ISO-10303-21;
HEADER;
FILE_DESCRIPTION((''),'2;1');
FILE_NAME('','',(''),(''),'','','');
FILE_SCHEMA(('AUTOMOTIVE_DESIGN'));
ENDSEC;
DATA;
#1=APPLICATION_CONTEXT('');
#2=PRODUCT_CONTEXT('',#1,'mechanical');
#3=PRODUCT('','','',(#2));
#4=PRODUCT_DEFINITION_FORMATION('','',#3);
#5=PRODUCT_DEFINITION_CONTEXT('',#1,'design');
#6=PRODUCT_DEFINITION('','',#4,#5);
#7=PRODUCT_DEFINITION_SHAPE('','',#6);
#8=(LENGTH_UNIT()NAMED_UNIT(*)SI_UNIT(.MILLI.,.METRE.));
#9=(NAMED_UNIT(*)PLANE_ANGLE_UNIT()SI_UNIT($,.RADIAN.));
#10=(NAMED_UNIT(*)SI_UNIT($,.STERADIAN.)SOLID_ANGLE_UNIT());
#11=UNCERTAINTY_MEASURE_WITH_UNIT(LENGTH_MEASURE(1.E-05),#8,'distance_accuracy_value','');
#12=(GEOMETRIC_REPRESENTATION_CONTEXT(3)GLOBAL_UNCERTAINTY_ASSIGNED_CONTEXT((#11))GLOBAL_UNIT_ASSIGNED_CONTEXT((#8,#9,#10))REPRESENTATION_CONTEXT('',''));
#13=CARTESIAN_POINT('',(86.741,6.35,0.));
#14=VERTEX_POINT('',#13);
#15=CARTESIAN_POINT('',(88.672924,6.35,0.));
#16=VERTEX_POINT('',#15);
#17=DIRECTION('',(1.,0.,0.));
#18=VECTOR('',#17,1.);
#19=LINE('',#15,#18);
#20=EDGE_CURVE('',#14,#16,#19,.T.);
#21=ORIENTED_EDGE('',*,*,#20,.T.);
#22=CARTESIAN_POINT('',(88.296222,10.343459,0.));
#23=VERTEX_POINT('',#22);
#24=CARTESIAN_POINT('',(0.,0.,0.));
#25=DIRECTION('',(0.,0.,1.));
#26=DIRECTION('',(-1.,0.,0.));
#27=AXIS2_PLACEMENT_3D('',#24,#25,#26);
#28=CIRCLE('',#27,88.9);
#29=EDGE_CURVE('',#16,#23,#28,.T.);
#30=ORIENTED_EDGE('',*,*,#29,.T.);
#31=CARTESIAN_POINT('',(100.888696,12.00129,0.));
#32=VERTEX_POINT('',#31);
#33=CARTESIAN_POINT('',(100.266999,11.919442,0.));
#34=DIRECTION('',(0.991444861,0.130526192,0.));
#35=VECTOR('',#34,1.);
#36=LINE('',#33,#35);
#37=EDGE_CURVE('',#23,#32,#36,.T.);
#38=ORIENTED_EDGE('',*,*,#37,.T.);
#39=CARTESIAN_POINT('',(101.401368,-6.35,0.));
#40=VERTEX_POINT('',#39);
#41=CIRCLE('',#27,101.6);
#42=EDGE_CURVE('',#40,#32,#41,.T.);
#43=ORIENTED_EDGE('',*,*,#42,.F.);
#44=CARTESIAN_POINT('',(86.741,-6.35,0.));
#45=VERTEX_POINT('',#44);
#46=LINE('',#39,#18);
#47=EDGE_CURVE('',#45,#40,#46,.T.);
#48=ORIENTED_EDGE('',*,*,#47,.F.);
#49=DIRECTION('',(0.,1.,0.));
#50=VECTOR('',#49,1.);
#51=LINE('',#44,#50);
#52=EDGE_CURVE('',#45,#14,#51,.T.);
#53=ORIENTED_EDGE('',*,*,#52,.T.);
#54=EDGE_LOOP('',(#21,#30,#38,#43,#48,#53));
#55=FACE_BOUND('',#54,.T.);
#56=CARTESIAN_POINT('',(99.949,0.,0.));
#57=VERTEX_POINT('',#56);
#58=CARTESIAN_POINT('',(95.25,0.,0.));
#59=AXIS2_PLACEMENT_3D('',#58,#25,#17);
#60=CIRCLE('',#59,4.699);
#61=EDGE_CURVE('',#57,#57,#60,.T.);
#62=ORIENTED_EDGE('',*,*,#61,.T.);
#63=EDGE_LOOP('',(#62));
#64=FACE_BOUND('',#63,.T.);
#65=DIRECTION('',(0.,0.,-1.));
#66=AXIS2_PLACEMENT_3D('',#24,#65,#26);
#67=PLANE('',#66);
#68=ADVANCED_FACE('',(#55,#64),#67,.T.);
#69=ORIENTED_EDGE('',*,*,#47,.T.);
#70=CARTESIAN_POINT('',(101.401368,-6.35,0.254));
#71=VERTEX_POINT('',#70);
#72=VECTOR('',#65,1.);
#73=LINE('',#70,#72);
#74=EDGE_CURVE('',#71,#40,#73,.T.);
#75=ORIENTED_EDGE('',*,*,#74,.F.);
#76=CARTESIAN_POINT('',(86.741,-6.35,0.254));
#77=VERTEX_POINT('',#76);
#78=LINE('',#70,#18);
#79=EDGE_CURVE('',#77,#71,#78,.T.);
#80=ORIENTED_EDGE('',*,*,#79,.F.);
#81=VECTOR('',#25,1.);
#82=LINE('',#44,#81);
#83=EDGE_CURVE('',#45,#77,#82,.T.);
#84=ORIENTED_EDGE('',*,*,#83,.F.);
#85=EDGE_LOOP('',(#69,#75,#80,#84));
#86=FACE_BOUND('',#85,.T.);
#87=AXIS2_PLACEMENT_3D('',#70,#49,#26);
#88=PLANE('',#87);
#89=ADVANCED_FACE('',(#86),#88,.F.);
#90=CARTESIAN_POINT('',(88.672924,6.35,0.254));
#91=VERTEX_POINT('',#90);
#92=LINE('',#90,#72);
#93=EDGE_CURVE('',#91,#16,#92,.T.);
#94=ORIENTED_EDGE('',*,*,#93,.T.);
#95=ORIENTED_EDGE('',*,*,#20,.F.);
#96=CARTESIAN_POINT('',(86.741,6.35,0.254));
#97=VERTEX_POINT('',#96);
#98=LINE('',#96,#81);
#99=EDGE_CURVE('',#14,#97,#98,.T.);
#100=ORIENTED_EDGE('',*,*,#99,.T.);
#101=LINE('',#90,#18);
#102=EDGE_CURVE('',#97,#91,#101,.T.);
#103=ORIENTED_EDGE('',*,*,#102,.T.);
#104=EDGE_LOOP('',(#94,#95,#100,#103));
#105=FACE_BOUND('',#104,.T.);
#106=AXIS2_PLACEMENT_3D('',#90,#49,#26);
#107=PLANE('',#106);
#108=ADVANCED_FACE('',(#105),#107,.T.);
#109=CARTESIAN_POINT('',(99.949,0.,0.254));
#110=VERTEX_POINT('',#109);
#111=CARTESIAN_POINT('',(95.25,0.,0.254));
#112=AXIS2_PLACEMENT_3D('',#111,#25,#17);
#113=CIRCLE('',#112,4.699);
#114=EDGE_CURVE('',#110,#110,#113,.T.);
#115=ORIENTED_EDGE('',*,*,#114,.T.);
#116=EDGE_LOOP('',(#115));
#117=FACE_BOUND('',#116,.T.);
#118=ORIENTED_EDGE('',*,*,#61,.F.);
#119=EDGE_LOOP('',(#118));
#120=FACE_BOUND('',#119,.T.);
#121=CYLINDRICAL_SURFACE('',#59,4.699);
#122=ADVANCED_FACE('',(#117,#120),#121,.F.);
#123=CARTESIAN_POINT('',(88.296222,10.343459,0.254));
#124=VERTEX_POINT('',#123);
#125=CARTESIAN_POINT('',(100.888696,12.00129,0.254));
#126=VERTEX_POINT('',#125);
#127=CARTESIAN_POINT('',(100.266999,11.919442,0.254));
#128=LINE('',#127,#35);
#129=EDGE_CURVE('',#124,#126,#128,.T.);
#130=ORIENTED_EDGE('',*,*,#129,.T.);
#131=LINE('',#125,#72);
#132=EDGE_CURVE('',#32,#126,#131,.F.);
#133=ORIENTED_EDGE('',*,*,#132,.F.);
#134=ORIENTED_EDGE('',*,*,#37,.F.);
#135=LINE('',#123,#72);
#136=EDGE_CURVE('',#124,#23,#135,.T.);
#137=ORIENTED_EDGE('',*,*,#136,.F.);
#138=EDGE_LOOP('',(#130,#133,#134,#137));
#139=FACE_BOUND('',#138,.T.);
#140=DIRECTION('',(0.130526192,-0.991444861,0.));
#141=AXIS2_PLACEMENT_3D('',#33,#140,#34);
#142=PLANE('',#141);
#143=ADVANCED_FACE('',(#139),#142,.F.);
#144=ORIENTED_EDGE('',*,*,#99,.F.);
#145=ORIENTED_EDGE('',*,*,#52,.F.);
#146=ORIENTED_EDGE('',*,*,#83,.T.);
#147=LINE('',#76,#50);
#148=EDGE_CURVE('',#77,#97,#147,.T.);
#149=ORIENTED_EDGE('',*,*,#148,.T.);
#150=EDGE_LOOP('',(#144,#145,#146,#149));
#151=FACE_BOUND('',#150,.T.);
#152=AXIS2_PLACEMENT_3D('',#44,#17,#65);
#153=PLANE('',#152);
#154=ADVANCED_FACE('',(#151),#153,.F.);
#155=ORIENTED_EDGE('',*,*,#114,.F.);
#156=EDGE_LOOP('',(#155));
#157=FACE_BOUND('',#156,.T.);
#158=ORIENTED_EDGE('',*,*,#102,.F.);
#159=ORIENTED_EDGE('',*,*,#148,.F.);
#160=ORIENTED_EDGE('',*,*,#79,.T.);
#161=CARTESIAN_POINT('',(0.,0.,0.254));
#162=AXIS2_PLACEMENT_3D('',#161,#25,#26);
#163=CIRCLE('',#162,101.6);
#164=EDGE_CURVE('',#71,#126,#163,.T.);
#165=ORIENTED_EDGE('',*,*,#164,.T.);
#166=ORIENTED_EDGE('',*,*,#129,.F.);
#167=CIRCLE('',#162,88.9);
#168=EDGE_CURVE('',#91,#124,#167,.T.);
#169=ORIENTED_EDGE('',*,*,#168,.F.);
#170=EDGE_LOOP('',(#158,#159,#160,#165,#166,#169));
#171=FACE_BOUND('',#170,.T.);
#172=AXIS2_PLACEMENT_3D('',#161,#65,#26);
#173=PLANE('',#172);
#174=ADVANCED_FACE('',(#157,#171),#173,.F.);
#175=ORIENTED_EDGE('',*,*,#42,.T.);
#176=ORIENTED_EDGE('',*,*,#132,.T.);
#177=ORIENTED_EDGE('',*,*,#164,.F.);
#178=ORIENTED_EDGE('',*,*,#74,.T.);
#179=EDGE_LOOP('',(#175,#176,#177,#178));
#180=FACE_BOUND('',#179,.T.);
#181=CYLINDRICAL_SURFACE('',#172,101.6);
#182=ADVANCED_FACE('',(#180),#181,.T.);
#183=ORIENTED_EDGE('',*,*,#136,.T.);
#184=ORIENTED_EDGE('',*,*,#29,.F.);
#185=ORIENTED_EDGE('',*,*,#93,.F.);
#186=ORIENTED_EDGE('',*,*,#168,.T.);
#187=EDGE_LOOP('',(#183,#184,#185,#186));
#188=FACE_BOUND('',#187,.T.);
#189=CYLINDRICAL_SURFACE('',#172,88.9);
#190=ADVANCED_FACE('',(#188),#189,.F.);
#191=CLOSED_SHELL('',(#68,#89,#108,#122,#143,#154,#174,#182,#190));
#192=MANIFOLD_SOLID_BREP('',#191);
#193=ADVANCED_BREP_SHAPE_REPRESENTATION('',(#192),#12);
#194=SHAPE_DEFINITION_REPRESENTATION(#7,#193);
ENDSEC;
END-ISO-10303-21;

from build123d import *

# Parameters (mm, degrees)
BOSS_EXTRUDE1_DEPTH = 0.254
SKETCH2_R           = 4.699
CUT_EXTRUDE1_DEPTH  = 1.254
SKETCH3_W           = 2.54
SKETCH3_H           = 0.635
CUT_EXTRUDE2_DEPTH  = 1.254
SKETCH5_OUTSIDE_W   = 121.447
SKETCH5_OUTSIDE_H   = 109.618
CUT_EXTRUDE5_DEPTH  = 1.254


with BuildPart() as part:
    # Sketch1 → Boss-Extrude1 (new body)
    with BuildSketch(Plane.XY):
        with BuildLine():
            Line((67.21146711, 76.191723231), (8.696654013, 17.676910134))
            Line((8.696654013, 17.676910134), (7.228954972, 14.133571205))
            ThreePointArc((7.228954972, 14.133571205), (14.666587579, 6.075099489), (15.105587123, -4.88230096))
            Line((15.105587123, -4.88230096), (18.648926052, -6.35))
            Line((18.648926052, -6.35), (101.401368334, -6.35))
            ThreePointArc((101.401368334, -6.35), (93.866160503, 38.880636728), (67.21146711, 76.191723231))
        make_face()
        with BuildLine():
            Line((88.672924278, 6.35), (27.86051193, 6.35))
            ThreePointArc((27.86051193, 6.35), (26.399857642, 10.93517908), (24.190484974, 15.210228852))
            Line((24.190484974, 15.210228852), (67.191354125, 58.211098004))
            ThreePointArc((67.191354125, 58.211098004), (82.13289044, 34.020557137), (88.672924278, 6.35))
        make_face(mode=Mode.SUBTRACT)
    extrude(amount=BOSS_EXTRUDE1_DEPTH)

    # Sketch2 → Cut-Extrude1 (cut, through all)
    with BuildSketch(Plane.XY.offset(0.254)):
        with Locations((22.225, 0)):
            Circle(SKETCH2_R)
        with Locations((36.195, 0)):
            Circle(SKETCH2_R)
        with Locations((61.722, 0)):
            Circle(SKETCH2_R)
        with Locations((75.692, 0)):
            Circle(SKETCH2_R)
        with Locations((95.25, 0)):
            Circle(SKETCH2_R)
        with Locations((15.715448212, 15.715448212)):
            Circle(SKETCH2_R)
        with Locations((25.593729945, 25.593729945)):
            Circle(SKETCH2_R)
        with Locations((43.644044748, 43.644044748)):
            Circle(SKETCH2_R)
        with Locations((53.522326482, 53.522326482)):
            Circle(SKETCH2_R)
        with Locations((92.004434954, 24.652514046)):
            Circle(SKETCH2_R)
        with Locations((82.48891971, 47.625)):
            Circle(SKETCH2_R)
        with Locations((67.351920908, 67.351920908)):
            Circle(SKETCH2_R)
    extrude(amount=-CUT_EXTRUDE1_DEPTH, mode=Mode.SUBTRACT)

    # Sketch3 → Cut-Extrude2 (cut, through all)
    with BuildSketch(Plane.XY.offset(0.254)):
        Polygon((15.266435406, 24.246691527), (17.06248663, 26.042742751), (17.511499436, 25.593729945), (15.715448212, 23.797678721), align=None)
        Polygon((44.991083167, 53.971339288), (43.195031942, 52.175288063), (43.644044748, 51.726275257), (45.440095973, 53.522326482), align=None)
        with Locations((29.21, -6.0325)):
            Rectangle(SKETCH3_W, SKETCH3_H)
        with Locations((68.707, -6.0325)):
            Rectangle(SKETCH3_W, SKETCH3_H)
        Polygon((29.230733674, 38.210989795), (31.026784898, 40.007041019), (31.475797704, 39.558028213), (29.67974648, 37.761976989), align=None)
        Polygon((56.845021246, 65.825277367), (55.048970022, 64.029226143), (55.497982828, 63.580213337), (57.294034052, 65.376264561), align=None)
        with Locations((48.9585, -6.0325)):
            Rectangle(SKETCH3_W, SKETCH3_H)
        with Locations((85.471, -6.0325)):
            Rectangle(SKETCH3_W, SKETCH3_H)
        Polygon((99.935462164, 14.437711971), (100.266998693, 11.919442024), (101.526133667, 12.085210288), (101.194597138, 14.603480236), align=None)
        Polygon((93.765504959, 37.464305742), (94.938831965, 37.950313702), (93.966816047, 40.296967714), (92.793489041, 39.810959755), align=None)
        Polygon((79.327792988, 62.471156422), (80.874047017, 60.456038938), (81.88160576, 61.229165953), (80.33535173, 63.244283437), align=None)
        Polygon((13.593916116, 7.005422516), (14.565932035, 4.658768503), (15.739259041, 5.144776462), (14.767243123, 7.491430475), align=None)
    extrude(amount=-CUT_EXTRUDE2_DEPTH, mode=Mode.SUBTRACT)

    # Sketch5 outside → Cut-Extrude5 (cut, through all)
    with BuildSketch(Plane.XY.offset(0.254)):
        with Locations((54.4145, 34.921)):
            Rectangle(SKETCH5_OUTSIDE_W, SKETCH5_OUTSIDE_H)
        Polygon((86.741, -7.62), (86.741, 10.138710513), (102.87, 12.262133647), (102.87, -7.62), align=None, mode=Mode.SUBTRACT)
    extrude(amount=-CUT_EXTRUDE5_DEPTH, mode=Mode.SUBTRACT)


solid = part.part
